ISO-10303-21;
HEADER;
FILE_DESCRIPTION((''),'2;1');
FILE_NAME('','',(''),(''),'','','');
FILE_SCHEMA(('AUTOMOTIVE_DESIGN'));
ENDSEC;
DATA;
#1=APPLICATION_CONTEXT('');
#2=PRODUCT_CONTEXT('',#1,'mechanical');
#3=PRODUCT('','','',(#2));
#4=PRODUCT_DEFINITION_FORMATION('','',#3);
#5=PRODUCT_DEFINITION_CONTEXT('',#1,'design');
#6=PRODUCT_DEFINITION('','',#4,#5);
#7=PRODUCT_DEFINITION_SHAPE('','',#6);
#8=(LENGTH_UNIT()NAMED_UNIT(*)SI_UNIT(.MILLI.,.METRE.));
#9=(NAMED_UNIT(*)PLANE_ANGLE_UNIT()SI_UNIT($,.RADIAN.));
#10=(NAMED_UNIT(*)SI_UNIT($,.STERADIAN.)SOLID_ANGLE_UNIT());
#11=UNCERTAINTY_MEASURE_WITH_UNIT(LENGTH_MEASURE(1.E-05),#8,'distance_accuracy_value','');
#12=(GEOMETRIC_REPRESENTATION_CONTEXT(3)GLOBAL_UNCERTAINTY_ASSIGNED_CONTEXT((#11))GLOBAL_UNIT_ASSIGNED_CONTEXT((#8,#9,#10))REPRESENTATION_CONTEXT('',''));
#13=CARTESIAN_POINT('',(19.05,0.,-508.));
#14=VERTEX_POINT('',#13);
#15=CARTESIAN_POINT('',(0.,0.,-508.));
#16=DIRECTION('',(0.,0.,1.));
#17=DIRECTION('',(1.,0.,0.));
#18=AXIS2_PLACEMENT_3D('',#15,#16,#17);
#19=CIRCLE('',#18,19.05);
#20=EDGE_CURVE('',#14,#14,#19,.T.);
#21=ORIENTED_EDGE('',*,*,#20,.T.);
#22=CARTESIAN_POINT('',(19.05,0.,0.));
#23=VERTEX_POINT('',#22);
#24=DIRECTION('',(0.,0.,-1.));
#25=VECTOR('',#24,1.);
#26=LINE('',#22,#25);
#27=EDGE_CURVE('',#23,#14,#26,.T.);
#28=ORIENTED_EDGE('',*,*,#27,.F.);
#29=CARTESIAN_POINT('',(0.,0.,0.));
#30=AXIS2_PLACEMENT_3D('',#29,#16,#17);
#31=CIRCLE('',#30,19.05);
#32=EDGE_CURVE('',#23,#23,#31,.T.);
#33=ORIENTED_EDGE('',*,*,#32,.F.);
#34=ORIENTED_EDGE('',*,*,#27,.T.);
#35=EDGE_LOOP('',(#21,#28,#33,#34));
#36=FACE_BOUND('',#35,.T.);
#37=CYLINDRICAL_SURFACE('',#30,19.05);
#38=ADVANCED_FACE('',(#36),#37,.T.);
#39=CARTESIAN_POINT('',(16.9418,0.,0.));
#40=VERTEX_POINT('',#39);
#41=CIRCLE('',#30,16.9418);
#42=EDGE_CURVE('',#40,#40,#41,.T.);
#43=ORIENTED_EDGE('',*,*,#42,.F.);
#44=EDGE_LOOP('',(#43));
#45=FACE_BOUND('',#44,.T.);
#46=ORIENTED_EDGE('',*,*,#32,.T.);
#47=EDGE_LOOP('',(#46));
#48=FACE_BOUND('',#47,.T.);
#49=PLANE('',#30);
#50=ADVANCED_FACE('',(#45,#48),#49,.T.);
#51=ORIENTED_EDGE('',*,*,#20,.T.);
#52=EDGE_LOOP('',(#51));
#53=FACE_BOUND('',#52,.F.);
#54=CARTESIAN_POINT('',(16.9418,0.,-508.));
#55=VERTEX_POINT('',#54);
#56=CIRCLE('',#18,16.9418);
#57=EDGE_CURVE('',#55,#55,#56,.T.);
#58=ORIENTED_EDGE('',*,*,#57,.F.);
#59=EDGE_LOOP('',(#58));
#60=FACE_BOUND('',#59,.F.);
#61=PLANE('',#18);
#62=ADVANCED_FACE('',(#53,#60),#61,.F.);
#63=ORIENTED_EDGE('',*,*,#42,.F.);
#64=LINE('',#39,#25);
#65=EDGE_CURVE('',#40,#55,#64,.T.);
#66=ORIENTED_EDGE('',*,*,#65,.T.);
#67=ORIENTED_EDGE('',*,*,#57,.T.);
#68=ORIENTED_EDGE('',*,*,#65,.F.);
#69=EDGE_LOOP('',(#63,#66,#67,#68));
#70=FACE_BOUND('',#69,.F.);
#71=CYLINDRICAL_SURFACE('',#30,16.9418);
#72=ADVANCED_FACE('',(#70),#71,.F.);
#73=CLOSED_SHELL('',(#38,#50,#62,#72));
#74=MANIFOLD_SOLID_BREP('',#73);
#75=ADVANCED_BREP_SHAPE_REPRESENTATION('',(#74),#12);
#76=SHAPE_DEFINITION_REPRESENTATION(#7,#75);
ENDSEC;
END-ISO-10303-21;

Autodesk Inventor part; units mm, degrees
ref_plane "YZ Plane" through (0, 0, 0) normal (1, 0, 0) x (0, 1, 0)
ref_plane "XZ Plane" through (0, 0, 0) normal (0, 1, 0) x (-1, 0, 0)
ref_plane "XY Plane" through (0, 0, 0) normal (0, 0, 1) x (1, 0, 0)
sketch "Sketch1" plane through (0, 0, 0) normal (0, 0, 1) x (1, 0, 0)
  circle A0 centre (0, 0) radius 19.05
  circle A1 centre (0, 0) radius 16.9418
  dimension "d0" = 38.1
  dimension "d2" = 2.1082
extrude "Extrusion1" add sketch "Sketch1" against normal blind 508
properties part number "GE-13040" material "Steel"
